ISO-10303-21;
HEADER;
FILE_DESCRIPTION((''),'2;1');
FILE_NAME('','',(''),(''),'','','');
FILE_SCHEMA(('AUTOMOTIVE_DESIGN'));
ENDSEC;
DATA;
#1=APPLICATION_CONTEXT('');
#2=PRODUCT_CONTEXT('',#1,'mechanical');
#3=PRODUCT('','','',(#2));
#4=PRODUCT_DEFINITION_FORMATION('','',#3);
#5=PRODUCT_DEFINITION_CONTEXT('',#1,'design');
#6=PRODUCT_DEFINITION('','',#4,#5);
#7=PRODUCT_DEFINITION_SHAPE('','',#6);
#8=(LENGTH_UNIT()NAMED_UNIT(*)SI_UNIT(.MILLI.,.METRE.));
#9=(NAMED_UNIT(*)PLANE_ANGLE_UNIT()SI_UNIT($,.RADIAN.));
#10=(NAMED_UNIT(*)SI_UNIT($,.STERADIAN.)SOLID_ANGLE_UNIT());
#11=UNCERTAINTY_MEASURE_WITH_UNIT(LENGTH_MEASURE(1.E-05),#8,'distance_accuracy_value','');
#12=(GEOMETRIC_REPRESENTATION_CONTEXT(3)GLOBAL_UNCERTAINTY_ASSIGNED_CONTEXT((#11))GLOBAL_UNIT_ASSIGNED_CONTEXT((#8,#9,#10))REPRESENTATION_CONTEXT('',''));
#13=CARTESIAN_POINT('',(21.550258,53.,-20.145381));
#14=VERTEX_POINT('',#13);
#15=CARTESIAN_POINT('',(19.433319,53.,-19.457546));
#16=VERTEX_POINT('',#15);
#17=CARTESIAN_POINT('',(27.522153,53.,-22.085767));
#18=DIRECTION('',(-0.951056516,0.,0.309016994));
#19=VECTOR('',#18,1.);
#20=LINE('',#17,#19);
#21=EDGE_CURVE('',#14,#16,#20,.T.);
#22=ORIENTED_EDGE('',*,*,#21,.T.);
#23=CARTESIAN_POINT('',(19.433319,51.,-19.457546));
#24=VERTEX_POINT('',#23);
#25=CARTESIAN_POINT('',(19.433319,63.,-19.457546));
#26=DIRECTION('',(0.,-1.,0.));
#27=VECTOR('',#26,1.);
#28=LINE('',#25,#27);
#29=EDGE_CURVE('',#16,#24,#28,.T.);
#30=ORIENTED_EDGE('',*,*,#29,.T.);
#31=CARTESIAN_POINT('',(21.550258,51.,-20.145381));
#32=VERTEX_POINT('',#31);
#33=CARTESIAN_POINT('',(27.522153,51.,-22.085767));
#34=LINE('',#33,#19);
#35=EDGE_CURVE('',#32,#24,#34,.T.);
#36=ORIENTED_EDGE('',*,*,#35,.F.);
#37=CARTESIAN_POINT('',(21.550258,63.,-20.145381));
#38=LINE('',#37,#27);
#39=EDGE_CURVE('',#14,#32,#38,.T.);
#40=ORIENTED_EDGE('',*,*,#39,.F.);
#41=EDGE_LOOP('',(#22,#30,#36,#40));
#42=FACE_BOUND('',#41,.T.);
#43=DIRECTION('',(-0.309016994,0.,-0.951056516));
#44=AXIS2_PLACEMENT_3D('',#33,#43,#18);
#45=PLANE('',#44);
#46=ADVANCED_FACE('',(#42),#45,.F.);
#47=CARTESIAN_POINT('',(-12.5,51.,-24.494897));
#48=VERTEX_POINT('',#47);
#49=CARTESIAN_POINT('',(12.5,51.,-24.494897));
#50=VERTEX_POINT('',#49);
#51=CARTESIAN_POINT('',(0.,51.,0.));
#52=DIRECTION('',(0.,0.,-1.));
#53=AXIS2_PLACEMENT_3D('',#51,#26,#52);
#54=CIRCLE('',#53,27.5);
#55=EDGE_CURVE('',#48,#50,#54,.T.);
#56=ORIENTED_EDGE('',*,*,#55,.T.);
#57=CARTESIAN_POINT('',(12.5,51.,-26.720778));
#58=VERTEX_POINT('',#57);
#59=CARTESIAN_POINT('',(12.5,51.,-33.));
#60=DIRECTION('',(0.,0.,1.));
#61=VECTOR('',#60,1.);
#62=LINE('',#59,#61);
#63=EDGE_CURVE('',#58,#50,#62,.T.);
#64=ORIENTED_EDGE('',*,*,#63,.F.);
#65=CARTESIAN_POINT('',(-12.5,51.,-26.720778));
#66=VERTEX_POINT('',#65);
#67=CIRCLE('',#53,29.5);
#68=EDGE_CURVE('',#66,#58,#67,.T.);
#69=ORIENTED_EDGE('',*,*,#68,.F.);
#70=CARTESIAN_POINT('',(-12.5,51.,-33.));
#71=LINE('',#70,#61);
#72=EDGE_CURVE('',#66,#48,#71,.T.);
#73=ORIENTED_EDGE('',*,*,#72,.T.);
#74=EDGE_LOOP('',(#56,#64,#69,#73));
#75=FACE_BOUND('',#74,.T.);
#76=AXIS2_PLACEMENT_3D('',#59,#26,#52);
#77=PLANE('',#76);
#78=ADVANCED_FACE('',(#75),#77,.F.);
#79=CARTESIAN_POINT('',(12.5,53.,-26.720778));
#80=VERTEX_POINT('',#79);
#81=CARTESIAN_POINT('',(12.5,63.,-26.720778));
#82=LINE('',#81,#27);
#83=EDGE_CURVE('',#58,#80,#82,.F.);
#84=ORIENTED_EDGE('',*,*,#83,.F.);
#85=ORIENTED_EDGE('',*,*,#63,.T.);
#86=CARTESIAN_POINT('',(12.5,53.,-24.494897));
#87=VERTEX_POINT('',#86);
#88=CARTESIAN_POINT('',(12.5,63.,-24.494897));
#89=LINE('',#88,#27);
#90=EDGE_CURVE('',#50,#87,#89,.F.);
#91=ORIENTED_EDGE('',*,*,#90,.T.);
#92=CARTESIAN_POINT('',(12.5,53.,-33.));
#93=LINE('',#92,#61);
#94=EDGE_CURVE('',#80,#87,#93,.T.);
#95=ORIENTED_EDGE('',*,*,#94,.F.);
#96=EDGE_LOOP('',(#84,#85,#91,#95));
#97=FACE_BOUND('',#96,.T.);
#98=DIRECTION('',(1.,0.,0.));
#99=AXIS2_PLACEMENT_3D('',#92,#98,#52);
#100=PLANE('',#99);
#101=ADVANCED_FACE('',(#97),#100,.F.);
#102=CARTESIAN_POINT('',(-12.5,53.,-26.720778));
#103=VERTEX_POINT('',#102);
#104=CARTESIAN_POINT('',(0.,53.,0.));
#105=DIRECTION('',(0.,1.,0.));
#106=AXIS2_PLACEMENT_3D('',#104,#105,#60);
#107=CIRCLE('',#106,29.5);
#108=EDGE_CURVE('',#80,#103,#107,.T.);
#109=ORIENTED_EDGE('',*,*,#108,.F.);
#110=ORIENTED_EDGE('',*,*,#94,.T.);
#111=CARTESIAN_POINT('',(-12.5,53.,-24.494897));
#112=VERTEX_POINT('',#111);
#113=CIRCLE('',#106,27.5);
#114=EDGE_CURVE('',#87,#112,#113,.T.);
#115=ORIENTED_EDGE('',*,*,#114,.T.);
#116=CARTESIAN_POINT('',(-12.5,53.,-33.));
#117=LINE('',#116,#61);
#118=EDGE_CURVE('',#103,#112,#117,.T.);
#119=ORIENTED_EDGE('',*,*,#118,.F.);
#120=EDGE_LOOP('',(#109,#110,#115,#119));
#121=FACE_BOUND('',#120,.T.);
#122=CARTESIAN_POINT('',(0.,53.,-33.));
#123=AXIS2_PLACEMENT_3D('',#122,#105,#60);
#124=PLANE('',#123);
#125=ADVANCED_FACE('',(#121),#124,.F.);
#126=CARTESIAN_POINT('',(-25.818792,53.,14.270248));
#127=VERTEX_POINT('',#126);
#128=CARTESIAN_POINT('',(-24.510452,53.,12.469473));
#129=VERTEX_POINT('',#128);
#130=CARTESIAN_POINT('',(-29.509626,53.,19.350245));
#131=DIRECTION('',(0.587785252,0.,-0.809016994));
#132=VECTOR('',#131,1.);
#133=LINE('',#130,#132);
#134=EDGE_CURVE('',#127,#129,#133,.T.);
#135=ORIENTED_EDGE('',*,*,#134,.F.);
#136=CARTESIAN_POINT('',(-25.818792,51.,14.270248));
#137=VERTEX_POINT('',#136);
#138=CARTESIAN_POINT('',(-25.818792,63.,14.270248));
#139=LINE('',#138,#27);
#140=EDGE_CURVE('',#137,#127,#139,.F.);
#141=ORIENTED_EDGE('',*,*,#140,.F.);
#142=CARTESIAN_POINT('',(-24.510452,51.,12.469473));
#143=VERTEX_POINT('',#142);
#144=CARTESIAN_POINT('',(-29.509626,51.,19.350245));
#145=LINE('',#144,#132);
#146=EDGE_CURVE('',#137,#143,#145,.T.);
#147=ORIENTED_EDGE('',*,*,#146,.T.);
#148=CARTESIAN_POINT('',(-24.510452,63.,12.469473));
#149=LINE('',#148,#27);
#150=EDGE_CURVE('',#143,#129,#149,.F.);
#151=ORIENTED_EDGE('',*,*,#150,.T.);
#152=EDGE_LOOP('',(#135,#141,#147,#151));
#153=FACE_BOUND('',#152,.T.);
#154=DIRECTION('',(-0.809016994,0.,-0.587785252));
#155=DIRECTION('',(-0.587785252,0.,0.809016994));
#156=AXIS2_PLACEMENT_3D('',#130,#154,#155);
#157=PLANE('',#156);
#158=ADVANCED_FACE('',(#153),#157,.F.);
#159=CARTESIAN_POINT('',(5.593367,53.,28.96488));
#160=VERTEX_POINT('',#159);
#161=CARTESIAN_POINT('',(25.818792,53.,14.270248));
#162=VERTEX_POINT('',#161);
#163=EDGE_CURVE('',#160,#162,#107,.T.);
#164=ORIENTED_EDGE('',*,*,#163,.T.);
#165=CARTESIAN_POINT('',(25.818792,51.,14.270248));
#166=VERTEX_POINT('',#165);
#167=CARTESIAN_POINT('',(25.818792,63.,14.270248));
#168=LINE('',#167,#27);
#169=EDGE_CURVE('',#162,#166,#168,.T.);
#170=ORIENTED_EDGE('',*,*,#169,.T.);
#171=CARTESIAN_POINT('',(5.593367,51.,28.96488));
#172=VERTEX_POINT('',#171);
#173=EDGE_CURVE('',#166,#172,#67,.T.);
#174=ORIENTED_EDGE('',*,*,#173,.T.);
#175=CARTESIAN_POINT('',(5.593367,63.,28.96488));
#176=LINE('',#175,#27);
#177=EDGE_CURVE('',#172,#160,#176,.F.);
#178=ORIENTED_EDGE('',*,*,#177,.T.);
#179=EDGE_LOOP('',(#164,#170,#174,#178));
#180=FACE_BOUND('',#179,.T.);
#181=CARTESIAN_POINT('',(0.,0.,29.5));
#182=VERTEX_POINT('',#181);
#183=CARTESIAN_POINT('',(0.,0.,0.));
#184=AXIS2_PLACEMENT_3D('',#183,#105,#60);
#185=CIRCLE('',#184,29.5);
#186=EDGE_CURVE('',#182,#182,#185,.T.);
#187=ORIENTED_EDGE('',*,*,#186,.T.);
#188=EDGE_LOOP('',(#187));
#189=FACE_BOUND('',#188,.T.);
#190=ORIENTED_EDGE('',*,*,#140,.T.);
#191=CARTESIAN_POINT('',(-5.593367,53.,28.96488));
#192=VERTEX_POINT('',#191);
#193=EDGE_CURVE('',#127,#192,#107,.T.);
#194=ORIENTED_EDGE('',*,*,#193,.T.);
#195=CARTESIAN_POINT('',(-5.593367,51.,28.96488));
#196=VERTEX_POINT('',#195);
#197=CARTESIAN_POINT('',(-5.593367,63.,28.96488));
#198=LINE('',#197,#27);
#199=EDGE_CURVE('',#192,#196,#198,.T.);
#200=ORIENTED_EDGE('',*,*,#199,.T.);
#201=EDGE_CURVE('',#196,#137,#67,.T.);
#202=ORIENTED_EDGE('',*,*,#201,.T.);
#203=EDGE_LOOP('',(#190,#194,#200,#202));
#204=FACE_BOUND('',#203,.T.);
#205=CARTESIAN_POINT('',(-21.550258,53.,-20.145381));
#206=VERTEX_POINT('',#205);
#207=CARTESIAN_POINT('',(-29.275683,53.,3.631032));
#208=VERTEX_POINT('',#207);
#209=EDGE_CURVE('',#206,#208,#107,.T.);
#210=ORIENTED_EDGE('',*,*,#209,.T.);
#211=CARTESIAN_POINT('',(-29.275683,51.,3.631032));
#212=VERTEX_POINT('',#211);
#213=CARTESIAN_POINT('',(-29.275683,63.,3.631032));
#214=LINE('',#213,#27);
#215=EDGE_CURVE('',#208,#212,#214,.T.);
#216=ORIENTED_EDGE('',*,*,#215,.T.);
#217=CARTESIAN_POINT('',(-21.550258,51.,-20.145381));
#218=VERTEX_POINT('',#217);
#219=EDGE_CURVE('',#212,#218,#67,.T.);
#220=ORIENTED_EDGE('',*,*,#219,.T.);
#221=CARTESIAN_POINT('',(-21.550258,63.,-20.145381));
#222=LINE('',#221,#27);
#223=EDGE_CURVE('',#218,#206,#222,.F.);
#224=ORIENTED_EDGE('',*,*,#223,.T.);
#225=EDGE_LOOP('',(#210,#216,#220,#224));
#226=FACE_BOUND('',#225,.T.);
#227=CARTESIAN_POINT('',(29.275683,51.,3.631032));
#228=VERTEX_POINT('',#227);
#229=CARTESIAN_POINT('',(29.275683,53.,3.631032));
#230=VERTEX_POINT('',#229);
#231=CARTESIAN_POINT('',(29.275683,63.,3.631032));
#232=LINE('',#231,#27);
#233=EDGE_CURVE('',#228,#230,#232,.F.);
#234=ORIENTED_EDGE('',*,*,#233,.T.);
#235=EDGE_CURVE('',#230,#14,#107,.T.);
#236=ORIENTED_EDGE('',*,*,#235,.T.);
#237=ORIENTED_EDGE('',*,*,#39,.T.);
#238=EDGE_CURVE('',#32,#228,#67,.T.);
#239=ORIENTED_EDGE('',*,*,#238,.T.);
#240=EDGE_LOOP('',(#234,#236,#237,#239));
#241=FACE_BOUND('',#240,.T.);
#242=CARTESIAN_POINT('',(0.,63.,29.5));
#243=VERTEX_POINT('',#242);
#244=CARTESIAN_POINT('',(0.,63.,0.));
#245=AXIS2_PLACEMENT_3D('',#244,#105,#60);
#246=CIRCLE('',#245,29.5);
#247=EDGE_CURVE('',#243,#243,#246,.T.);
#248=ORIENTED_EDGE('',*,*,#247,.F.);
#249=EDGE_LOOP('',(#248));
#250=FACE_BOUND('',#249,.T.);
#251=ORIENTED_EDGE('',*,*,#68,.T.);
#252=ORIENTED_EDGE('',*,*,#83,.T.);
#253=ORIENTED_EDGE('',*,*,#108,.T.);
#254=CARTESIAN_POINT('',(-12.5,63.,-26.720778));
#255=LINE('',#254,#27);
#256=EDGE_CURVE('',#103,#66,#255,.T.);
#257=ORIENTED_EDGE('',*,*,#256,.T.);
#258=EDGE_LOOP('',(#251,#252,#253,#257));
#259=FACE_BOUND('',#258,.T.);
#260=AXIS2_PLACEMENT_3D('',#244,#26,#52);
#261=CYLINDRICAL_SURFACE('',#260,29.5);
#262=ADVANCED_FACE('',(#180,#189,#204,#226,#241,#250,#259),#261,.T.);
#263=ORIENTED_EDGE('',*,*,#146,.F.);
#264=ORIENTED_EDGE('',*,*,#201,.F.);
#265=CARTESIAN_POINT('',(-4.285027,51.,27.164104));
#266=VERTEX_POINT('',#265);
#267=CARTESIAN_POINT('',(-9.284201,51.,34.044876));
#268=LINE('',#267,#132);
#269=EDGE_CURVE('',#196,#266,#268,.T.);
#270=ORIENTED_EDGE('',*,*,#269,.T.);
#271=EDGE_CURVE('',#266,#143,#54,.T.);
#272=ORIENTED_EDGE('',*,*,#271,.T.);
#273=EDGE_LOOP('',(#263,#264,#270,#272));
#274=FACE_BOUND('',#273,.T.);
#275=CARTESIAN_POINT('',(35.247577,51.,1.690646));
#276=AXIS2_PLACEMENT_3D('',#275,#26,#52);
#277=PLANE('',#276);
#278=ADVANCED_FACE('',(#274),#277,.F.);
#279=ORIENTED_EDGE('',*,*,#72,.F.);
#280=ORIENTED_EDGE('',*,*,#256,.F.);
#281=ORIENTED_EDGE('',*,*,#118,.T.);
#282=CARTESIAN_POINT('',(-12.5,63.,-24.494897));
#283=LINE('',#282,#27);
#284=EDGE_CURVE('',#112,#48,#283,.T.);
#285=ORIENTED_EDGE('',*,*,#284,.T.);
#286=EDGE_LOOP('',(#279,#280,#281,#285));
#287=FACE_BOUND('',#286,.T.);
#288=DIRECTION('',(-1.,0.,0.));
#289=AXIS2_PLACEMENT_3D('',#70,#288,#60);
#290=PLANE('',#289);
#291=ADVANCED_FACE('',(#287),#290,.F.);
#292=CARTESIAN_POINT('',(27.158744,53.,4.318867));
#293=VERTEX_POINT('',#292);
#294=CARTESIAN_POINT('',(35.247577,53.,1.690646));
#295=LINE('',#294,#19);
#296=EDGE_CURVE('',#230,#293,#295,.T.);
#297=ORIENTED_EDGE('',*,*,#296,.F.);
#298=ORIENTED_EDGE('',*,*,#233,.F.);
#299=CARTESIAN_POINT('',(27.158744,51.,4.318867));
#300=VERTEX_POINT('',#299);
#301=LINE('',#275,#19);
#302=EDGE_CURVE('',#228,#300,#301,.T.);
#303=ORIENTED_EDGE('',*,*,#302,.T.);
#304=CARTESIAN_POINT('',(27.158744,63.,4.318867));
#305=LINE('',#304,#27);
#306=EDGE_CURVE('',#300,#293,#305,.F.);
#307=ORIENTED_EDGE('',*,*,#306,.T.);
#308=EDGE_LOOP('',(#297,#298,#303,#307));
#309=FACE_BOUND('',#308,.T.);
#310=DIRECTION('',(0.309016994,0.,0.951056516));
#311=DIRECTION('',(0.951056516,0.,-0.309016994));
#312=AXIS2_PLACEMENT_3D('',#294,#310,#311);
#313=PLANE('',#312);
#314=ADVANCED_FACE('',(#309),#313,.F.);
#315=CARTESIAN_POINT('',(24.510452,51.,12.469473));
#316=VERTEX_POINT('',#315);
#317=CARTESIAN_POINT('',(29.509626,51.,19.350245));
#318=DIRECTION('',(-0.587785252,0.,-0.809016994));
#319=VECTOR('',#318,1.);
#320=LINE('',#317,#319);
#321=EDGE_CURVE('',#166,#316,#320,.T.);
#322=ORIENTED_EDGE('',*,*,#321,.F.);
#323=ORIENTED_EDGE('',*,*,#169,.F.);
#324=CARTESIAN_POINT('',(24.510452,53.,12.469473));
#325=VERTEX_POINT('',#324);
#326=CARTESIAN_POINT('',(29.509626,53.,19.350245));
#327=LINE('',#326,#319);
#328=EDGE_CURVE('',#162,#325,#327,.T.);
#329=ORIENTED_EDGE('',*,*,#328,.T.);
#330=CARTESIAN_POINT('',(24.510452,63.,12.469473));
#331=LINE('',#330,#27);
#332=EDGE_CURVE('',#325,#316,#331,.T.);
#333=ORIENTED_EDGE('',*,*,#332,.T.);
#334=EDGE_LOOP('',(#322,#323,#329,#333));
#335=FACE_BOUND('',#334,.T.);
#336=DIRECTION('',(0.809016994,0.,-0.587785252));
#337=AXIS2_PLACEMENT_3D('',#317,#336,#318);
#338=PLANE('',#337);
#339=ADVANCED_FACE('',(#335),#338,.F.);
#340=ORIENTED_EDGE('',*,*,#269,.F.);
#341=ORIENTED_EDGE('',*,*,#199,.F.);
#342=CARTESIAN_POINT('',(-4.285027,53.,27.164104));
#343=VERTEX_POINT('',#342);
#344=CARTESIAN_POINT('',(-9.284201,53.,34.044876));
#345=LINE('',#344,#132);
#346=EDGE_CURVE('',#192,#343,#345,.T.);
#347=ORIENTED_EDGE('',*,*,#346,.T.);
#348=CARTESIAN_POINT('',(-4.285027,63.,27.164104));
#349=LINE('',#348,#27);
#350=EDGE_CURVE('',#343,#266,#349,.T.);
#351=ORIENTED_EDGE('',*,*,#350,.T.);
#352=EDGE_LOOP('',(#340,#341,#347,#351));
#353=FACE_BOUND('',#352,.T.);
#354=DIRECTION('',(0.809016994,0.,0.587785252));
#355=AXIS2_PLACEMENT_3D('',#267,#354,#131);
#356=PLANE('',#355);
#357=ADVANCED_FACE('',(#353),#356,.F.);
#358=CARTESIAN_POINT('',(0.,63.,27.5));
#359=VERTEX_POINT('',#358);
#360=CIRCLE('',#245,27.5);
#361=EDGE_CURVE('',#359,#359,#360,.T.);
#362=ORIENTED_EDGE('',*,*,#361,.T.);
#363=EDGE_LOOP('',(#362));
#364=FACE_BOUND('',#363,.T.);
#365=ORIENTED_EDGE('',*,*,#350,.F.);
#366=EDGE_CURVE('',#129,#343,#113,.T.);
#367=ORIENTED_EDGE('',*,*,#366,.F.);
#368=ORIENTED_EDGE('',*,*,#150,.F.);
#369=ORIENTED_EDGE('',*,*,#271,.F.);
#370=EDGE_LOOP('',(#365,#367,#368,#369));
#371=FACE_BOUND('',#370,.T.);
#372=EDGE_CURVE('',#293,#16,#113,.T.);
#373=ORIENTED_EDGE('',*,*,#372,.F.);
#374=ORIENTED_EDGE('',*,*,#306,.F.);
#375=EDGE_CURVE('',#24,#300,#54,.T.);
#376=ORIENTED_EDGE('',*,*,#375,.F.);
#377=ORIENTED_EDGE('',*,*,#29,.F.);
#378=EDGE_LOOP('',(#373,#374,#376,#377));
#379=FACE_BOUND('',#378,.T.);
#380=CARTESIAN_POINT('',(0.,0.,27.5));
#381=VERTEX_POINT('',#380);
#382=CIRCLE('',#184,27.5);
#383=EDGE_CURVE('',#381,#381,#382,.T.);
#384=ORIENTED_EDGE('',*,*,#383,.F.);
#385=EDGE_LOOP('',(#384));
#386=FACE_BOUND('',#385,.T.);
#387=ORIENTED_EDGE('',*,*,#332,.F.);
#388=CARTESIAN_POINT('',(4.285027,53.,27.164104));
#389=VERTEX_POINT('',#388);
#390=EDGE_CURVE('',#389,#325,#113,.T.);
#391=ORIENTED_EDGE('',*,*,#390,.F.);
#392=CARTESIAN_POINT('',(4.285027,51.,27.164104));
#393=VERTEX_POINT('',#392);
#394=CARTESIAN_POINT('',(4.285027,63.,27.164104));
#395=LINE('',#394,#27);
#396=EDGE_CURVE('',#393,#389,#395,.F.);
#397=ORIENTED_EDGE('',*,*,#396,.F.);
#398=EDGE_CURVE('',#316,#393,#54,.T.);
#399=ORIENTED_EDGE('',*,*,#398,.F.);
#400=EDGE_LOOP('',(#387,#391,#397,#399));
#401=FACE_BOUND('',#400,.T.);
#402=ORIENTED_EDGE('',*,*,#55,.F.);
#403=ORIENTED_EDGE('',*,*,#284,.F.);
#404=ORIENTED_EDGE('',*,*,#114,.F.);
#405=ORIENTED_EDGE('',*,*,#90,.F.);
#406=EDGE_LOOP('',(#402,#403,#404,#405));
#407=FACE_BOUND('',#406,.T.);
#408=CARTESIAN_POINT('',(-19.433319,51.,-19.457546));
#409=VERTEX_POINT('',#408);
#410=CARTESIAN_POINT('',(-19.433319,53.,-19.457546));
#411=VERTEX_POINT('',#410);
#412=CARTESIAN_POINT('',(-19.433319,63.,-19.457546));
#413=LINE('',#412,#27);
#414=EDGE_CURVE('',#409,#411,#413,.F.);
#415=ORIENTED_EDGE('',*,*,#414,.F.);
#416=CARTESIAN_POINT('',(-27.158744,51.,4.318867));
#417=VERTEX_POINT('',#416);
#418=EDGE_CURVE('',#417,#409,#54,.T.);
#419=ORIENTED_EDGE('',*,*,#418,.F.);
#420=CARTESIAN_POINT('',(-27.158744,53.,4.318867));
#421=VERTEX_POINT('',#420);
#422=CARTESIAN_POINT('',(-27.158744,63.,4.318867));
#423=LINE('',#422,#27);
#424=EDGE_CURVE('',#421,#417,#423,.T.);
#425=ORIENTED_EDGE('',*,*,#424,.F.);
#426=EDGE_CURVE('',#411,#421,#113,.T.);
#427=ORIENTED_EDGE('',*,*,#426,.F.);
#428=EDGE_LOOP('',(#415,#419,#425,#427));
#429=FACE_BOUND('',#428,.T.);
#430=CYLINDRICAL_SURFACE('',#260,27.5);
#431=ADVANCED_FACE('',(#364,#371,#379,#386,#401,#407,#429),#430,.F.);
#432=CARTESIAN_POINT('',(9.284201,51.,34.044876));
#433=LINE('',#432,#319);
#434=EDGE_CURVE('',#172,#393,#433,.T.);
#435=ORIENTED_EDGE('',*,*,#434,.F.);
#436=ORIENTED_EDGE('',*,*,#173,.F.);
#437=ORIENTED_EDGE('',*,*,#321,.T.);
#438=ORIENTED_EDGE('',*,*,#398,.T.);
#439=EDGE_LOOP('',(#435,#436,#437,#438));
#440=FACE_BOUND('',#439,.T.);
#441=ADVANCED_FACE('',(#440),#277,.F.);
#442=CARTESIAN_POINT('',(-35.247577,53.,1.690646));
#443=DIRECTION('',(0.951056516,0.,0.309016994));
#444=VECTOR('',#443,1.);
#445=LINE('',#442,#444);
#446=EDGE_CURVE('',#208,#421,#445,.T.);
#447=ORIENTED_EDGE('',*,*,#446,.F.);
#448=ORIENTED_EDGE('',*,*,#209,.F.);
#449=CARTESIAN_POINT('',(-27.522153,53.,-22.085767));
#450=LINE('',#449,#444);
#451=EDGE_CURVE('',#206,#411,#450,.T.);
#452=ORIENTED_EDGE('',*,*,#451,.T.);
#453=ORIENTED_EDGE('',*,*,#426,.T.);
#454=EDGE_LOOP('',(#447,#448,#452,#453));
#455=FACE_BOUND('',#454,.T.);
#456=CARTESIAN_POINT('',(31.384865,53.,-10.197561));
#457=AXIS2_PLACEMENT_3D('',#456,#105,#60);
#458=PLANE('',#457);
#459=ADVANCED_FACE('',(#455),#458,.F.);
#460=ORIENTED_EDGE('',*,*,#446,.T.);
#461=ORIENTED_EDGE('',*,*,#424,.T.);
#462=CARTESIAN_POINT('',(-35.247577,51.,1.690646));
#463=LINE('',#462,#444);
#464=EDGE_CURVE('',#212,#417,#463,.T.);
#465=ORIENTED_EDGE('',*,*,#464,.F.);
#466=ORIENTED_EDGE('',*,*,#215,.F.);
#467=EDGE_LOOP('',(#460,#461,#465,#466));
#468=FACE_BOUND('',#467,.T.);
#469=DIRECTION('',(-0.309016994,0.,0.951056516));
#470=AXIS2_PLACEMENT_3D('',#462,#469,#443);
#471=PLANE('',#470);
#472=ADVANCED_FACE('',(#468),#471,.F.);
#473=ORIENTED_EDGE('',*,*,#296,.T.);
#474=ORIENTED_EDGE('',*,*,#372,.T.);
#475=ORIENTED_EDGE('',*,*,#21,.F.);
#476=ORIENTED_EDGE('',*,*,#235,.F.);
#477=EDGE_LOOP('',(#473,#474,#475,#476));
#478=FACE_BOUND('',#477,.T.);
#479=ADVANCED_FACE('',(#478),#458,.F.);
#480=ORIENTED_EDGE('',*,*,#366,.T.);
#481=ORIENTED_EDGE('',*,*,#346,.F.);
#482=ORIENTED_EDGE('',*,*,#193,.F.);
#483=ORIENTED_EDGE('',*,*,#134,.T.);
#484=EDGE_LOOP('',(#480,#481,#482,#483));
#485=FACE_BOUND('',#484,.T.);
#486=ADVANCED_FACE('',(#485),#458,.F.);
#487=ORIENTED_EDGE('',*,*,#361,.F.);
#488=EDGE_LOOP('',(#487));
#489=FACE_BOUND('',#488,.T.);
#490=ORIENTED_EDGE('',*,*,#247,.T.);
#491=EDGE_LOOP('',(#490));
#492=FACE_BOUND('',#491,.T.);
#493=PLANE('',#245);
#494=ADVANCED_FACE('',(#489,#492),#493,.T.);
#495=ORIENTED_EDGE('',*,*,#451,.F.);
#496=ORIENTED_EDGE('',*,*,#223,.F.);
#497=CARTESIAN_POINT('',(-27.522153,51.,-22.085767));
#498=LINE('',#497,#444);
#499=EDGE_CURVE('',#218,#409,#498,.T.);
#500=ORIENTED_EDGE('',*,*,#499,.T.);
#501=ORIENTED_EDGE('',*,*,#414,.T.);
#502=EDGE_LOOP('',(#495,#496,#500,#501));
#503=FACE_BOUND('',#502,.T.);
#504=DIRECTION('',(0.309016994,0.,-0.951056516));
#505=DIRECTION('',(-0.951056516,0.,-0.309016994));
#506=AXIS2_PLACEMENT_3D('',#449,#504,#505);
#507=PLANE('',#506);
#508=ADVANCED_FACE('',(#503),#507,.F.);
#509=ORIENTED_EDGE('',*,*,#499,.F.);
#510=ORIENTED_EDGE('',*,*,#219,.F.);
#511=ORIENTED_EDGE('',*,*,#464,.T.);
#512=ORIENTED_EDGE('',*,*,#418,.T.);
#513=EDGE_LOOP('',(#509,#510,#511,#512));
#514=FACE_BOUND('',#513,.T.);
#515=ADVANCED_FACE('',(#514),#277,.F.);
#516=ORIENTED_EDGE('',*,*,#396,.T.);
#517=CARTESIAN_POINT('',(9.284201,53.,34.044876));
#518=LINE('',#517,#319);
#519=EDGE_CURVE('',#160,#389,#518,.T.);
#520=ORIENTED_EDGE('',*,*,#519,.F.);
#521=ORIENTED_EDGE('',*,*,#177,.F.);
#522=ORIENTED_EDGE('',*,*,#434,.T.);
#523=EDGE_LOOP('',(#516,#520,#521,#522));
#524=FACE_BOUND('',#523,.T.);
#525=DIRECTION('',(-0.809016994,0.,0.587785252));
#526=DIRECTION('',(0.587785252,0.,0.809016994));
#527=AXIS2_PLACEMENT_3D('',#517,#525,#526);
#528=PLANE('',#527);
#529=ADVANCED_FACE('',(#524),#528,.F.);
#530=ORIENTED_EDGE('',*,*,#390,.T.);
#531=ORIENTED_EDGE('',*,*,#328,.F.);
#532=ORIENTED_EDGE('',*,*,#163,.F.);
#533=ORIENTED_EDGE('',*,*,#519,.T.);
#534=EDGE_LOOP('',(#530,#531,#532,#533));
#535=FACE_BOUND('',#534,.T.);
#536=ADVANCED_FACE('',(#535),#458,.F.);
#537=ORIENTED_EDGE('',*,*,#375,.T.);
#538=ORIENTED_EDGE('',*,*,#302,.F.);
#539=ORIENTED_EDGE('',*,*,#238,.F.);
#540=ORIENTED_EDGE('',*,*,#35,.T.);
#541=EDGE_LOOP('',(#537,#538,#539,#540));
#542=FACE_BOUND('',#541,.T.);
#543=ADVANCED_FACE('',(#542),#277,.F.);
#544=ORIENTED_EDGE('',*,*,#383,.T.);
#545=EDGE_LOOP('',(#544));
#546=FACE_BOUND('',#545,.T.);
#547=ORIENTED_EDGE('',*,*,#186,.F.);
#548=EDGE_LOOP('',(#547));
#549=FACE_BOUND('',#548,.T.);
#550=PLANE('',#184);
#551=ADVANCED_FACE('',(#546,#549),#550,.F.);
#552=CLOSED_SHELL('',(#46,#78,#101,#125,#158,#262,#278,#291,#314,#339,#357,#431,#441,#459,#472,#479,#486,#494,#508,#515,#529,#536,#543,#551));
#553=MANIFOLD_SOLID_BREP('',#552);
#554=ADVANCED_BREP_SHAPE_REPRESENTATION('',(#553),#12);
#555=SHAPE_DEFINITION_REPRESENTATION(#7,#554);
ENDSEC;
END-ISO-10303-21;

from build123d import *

# Parameters (mm, degrees)
SKETCH1_R           = 29.5
SKETCH1_R_2         = 27.5
BOSS_EXTRUDE1_DEPTH = 63
CUT_EXTRUDE1_DEPTH  = 33
CIRPATTERN1_COUNT   = 5


with BuildPart() as part:
    # Sketch1 → Boss-Extrude1 (new body)
    with BuildSketch(Plane(origin=(0, 0, 0), x_dir=(1, 0, 0), z_dir=(0, 1, 0))):
        with Locations(Location((0, 0, 0), (0, 0, 270))):
            Circle(SKETCH1_R)
        with Locations(Location((0, 0, 0), (0, 0, 270))):
            Circle(SKETCH1_R_2, mode=Mode.SUBTRACT)
    extrude(amount=BOSS_EXTRUDE1_DEPTH)

    # Sketch3 → Cut-Extrude1 (cut)
    with BuildSketch(Plane.XY):
        Polygon((0, 53), (12.5, 53), (12.5, 51), (-12.5, 51), (-12.5, 53), align=None)
    cut_extrude1 = extrude(amount=-CUT_EXTRUDE1_DEPTH, mode=Mode.SUBTRACT)

    # CirPattern1: Cut-Extrude1 ×5 about axis
    cirpattern1_axis = Axis((0, 0, 0), (0, 1, 0))
    for i in range(1, CIRPATTERN1_COUNT):
        add(cut_extrude1.rotate(cirpattern1_axis, i * 360 / CIRPATTERN1_COUNT), mode=Mode.SUBTRACT)


solid = part.part
